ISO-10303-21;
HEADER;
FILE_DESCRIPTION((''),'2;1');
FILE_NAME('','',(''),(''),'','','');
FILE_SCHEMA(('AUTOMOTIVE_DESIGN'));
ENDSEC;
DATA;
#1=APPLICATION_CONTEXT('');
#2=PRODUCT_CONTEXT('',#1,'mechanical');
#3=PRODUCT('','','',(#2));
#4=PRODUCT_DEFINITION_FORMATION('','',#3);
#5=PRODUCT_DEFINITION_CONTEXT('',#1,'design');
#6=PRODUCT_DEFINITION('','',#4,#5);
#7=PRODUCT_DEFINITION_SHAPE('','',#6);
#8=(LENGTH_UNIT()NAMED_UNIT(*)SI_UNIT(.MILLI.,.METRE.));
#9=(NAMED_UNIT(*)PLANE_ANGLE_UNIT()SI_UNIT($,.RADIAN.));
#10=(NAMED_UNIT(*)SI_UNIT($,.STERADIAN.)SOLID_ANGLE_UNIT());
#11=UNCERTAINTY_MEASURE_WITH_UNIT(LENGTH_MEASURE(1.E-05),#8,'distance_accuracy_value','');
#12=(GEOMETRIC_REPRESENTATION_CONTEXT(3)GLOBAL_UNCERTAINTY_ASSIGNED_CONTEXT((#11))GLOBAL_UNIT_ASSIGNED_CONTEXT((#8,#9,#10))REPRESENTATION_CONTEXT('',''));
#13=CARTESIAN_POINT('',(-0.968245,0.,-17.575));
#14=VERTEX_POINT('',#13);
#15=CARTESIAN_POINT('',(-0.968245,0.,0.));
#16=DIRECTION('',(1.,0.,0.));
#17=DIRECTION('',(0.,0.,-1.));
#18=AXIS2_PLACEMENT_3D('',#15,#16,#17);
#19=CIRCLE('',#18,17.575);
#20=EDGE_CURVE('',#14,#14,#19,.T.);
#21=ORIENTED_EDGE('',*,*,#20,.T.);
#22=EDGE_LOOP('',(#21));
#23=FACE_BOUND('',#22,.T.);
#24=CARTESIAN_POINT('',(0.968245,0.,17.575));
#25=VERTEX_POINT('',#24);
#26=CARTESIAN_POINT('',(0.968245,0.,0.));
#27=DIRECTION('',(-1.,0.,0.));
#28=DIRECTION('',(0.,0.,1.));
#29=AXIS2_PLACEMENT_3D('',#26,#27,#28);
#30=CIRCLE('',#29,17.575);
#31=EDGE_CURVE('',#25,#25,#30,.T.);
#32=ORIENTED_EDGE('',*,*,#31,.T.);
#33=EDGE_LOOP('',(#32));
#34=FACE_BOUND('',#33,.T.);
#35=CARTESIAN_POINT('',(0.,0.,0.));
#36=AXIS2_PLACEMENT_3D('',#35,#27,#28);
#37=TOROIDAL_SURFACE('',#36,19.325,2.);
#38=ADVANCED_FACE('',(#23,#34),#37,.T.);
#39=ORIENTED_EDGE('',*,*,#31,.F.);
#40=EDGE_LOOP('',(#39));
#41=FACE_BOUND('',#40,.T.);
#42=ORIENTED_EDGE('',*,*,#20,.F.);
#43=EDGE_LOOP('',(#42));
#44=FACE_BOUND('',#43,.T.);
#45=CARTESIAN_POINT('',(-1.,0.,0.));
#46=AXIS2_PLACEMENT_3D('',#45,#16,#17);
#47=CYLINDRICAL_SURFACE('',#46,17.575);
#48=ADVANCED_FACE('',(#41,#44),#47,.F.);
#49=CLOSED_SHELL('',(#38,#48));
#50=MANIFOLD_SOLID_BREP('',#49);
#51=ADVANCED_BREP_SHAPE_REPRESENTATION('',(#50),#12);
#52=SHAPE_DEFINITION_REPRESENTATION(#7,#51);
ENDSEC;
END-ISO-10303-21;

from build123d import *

# Parameters (mm, degrees)
SKETCH1_R          = 2
SKETCH2_R          = 17.575
CUT_EXTRUDE3_DEPTH = 1


with BuildPart() as part:
    # Sketch1 → Revolve1 (revolve)
    with BuildSketch(Plane.XY):
        with Locations((0, 19.325000244)):
            Circle(SKETCH1_R)
    revolve(axis=Axis((-1000, 0, 0), (1, 0, 0)))

    # Sketch2 → Cut-Extrude3 (cut, symmetric)
    with BuildSketch(Plane(origin=(0, 0, 0), x_dir=(0, 0, -1), z_dir=(1, 0, 0))):
        Circle(SKETCH2_R)
    extrude(amount=CUT_EXTRUDE3_DEPTH, both=True, mode=Mode.SUBTRACT)


solid = part.part
